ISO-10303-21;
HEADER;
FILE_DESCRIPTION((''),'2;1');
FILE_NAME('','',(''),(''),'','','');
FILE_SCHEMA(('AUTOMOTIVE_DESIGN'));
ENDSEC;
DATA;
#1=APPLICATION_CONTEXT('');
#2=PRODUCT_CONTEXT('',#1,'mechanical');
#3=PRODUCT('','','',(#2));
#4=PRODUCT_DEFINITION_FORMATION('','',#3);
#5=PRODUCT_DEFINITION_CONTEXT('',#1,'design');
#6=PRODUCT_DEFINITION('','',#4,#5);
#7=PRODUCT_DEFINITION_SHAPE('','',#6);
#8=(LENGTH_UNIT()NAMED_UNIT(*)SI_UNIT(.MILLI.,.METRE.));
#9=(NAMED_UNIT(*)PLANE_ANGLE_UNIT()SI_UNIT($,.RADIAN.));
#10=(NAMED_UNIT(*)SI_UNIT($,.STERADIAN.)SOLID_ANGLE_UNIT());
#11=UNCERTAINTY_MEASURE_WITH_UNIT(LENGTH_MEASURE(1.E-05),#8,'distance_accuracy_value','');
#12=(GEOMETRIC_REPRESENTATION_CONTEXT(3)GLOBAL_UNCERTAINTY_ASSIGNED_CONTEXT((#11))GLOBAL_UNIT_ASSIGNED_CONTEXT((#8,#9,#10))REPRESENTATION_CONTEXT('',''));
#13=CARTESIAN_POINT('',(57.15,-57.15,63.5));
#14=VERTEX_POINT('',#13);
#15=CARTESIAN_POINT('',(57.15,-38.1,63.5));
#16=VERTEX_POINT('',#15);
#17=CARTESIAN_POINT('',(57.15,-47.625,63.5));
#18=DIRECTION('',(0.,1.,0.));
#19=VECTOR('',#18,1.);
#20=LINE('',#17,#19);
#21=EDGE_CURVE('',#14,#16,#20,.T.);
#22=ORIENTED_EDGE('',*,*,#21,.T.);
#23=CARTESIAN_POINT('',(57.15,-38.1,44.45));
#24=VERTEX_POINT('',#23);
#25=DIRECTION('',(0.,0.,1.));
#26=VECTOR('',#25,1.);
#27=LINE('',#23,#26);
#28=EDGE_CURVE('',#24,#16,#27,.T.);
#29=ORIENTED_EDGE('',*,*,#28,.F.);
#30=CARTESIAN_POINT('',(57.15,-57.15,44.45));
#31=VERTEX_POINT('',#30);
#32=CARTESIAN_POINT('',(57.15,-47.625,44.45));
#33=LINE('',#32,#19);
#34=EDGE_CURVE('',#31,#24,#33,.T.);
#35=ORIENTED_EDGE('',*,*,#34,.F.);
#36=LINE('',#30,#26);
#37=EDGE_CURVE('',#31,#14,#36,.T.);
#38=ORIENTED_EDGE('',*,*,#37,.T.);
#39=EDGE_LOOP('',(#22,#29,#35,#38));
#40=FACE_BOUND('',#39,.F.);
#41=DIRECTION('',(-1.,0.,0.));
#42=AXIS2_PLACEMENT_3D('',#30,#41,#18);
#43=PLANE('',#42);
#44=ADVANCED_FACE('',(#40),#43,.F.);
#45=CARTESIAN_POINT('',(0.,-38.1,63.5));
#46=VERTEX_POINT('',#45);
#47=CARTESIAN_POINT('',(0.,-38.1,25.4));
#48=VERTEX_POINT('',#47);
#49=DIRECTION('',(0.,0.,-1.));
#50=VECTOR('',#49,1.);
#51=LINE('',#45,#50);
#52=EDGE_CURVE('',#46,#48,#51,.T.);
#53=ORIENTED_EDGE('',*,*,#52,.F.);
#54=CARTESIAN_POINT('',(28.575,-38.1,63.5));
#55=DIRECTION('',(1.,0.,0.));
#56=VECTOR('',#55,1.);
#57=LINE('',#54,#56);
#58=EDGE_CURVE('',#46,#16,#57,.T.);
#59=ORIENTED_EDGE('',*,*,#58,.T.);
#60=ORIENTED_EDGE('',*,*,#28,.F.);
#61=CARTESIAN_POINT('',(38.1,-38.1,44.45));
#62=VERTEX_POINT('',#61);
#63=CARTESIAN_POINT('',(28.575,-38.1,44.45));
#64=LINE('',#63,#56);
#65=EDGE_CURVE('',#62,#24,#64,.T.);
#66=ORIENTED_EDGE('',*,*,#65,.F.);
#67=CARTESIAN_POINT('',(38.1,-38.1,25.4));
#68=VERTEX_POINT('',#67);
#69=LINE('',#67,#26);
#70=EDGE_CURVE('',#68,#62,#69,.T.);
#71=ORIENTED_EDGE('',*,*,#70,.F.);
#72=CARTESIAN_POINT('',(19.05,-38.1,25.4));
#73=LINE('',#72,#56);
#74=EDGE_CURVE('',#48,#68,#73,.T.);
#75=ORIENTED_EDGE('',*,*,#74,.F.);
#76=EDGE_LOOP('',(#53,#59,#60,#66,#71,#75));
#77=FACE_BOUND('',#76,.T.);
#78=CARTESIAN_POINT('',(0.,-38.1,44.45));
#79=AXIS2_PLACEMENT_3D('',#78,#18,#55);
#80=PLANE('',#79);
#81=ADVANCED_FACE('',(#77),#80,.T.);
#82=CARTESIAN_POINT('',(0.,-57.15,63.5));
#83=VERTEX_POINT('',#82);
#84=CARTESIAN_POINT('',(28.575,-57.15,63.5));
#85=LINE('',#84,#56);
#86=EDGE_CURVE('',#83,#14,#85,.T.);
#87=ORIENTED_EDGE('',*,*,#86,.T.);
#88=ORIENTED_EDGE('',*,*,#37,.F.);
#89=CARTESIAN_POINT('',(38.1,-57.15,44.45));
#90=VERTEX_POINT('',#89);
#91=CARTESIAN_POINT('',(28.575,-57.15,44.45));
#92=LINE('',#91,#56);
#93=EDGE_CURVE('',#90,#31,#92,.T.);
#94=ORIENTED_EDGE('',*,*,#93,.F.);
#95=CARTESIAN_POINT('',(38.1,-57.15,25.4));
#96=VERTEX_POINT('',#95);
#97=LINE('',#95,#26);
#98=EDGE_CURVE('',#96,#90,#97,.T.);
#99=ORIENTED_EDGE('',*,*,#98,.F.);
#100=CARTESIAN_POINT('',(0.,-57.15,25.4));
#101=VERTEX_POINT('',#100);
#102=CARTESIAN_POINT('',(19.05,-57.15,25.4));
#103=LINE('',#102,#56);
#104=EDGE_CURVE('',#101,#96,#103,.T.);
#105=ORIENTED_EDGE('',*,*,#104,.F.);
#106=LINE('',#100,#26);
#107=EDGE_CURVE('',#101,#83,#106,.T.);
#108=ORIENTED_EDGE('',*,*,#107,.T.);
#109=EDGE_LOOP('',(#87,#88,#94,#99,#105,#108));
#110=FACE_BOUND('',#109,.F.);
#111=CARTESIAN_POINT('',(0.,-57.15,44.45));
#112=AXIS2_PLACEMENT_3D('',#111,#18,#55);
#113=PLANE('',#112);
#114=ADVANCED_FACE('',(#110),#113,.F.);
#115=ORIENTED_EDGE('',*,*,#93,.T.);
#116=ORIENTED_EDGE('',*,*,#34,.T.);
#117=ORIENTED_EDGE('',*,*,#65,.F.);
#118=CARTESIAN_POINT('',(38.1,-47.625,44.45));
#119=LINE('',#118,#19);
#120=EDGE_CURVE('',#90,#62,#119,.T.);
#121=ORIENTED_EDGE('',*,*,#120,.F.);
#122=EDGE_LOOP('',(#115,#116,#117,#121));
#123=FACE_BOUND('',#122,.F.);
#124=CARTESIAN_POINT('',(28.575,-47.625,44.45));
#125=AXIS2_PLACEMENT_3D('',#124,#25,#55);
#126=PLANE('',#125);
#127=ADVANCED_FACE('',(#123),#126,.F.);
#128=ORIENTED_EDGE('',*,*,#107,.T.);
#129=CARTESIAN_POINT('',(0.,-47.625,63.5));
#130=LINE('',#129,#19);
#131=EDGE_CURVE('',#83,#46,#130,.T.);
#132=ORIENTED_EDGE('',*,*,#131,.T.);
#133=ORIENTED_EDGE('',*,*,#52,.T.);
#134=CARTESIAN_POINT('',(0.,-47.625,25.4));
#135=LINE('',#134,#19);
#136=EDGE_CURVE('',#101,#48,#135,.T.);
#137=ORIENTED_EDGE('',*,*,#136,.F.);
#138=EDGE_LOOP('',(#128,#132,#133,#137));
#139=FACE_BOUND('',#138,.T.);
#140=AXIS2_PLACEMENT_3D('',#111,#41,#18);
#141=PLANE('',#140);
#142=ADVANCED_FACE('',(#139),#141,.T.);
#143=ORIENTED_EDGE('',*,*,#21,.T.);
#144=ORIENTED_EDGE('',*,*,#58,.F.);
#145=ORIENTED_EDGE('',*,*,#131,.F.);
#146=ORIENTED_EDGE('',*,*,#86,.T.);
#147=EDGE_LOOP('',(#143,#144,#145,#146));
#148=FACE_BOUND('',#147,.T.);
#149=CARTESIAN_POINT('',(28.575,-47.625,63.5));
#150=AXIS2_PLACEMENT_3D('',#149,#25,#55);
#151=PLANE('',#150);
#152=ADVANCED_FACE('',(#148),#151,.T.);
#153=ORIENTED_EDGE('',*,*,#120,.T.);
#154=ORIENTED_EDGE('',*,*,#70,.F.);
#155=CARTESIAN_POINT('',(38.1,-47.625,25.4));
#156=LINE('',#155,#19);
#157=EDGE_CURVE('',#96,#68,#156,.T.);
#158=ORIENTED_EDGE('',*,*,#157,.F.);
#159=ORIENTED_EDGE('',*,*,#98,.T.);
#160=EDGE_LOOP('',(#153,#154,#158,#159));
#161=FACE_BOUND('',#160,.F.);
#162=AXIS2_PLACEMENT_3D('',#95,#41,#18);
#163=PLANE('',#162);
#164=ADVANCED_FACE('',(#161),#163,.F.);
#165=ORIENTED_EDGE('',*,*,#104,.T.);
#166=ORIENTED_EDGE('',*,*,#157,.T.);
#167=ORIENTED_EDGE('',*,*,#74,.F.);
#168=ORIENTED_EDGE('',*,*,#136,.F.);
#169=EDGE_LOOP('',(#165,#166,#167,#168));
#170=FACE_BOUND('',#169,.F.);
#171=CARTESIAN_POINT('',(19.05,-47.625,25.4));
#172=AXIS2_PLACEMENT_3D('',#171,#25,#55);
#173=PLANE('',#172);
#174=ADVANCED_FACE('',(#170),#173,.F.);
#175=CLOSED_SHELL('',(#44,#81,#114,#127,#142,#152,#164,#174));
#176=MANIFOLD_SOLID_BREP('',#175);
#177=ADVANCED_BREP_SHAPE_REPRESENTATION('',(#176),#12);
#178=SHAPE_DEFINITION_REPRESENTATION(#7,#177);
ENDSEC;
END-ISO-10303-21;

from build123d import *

# Parameters (mm, degrees)
F1_W     = 38.1
F1_H     = 19.05
F2_DEPTH = 19.05
F3_W     = 57.15
F3_H     = 19.05
F4_DEPTH = 19.05


with BuildPart() as f2:
    # F1 (on offset) → F2 (new body)
    with BuildSketch(Plane.XY.offset(25.4)):
        with Locations((19.05, -47.625)):
            Rectangle(F1_W, F1_H)
    extrude(amount=F2_DEPTH)

    # F3 (on face) → F4 (join)
    with BuildSketch(Plane.XY.offset(44.45)):
        with Locations((28.575, -47.625)):
            Rectangle(F3_W, F3_H)
    extrude(amount=F4_DEPTH)


solid = f2.part
